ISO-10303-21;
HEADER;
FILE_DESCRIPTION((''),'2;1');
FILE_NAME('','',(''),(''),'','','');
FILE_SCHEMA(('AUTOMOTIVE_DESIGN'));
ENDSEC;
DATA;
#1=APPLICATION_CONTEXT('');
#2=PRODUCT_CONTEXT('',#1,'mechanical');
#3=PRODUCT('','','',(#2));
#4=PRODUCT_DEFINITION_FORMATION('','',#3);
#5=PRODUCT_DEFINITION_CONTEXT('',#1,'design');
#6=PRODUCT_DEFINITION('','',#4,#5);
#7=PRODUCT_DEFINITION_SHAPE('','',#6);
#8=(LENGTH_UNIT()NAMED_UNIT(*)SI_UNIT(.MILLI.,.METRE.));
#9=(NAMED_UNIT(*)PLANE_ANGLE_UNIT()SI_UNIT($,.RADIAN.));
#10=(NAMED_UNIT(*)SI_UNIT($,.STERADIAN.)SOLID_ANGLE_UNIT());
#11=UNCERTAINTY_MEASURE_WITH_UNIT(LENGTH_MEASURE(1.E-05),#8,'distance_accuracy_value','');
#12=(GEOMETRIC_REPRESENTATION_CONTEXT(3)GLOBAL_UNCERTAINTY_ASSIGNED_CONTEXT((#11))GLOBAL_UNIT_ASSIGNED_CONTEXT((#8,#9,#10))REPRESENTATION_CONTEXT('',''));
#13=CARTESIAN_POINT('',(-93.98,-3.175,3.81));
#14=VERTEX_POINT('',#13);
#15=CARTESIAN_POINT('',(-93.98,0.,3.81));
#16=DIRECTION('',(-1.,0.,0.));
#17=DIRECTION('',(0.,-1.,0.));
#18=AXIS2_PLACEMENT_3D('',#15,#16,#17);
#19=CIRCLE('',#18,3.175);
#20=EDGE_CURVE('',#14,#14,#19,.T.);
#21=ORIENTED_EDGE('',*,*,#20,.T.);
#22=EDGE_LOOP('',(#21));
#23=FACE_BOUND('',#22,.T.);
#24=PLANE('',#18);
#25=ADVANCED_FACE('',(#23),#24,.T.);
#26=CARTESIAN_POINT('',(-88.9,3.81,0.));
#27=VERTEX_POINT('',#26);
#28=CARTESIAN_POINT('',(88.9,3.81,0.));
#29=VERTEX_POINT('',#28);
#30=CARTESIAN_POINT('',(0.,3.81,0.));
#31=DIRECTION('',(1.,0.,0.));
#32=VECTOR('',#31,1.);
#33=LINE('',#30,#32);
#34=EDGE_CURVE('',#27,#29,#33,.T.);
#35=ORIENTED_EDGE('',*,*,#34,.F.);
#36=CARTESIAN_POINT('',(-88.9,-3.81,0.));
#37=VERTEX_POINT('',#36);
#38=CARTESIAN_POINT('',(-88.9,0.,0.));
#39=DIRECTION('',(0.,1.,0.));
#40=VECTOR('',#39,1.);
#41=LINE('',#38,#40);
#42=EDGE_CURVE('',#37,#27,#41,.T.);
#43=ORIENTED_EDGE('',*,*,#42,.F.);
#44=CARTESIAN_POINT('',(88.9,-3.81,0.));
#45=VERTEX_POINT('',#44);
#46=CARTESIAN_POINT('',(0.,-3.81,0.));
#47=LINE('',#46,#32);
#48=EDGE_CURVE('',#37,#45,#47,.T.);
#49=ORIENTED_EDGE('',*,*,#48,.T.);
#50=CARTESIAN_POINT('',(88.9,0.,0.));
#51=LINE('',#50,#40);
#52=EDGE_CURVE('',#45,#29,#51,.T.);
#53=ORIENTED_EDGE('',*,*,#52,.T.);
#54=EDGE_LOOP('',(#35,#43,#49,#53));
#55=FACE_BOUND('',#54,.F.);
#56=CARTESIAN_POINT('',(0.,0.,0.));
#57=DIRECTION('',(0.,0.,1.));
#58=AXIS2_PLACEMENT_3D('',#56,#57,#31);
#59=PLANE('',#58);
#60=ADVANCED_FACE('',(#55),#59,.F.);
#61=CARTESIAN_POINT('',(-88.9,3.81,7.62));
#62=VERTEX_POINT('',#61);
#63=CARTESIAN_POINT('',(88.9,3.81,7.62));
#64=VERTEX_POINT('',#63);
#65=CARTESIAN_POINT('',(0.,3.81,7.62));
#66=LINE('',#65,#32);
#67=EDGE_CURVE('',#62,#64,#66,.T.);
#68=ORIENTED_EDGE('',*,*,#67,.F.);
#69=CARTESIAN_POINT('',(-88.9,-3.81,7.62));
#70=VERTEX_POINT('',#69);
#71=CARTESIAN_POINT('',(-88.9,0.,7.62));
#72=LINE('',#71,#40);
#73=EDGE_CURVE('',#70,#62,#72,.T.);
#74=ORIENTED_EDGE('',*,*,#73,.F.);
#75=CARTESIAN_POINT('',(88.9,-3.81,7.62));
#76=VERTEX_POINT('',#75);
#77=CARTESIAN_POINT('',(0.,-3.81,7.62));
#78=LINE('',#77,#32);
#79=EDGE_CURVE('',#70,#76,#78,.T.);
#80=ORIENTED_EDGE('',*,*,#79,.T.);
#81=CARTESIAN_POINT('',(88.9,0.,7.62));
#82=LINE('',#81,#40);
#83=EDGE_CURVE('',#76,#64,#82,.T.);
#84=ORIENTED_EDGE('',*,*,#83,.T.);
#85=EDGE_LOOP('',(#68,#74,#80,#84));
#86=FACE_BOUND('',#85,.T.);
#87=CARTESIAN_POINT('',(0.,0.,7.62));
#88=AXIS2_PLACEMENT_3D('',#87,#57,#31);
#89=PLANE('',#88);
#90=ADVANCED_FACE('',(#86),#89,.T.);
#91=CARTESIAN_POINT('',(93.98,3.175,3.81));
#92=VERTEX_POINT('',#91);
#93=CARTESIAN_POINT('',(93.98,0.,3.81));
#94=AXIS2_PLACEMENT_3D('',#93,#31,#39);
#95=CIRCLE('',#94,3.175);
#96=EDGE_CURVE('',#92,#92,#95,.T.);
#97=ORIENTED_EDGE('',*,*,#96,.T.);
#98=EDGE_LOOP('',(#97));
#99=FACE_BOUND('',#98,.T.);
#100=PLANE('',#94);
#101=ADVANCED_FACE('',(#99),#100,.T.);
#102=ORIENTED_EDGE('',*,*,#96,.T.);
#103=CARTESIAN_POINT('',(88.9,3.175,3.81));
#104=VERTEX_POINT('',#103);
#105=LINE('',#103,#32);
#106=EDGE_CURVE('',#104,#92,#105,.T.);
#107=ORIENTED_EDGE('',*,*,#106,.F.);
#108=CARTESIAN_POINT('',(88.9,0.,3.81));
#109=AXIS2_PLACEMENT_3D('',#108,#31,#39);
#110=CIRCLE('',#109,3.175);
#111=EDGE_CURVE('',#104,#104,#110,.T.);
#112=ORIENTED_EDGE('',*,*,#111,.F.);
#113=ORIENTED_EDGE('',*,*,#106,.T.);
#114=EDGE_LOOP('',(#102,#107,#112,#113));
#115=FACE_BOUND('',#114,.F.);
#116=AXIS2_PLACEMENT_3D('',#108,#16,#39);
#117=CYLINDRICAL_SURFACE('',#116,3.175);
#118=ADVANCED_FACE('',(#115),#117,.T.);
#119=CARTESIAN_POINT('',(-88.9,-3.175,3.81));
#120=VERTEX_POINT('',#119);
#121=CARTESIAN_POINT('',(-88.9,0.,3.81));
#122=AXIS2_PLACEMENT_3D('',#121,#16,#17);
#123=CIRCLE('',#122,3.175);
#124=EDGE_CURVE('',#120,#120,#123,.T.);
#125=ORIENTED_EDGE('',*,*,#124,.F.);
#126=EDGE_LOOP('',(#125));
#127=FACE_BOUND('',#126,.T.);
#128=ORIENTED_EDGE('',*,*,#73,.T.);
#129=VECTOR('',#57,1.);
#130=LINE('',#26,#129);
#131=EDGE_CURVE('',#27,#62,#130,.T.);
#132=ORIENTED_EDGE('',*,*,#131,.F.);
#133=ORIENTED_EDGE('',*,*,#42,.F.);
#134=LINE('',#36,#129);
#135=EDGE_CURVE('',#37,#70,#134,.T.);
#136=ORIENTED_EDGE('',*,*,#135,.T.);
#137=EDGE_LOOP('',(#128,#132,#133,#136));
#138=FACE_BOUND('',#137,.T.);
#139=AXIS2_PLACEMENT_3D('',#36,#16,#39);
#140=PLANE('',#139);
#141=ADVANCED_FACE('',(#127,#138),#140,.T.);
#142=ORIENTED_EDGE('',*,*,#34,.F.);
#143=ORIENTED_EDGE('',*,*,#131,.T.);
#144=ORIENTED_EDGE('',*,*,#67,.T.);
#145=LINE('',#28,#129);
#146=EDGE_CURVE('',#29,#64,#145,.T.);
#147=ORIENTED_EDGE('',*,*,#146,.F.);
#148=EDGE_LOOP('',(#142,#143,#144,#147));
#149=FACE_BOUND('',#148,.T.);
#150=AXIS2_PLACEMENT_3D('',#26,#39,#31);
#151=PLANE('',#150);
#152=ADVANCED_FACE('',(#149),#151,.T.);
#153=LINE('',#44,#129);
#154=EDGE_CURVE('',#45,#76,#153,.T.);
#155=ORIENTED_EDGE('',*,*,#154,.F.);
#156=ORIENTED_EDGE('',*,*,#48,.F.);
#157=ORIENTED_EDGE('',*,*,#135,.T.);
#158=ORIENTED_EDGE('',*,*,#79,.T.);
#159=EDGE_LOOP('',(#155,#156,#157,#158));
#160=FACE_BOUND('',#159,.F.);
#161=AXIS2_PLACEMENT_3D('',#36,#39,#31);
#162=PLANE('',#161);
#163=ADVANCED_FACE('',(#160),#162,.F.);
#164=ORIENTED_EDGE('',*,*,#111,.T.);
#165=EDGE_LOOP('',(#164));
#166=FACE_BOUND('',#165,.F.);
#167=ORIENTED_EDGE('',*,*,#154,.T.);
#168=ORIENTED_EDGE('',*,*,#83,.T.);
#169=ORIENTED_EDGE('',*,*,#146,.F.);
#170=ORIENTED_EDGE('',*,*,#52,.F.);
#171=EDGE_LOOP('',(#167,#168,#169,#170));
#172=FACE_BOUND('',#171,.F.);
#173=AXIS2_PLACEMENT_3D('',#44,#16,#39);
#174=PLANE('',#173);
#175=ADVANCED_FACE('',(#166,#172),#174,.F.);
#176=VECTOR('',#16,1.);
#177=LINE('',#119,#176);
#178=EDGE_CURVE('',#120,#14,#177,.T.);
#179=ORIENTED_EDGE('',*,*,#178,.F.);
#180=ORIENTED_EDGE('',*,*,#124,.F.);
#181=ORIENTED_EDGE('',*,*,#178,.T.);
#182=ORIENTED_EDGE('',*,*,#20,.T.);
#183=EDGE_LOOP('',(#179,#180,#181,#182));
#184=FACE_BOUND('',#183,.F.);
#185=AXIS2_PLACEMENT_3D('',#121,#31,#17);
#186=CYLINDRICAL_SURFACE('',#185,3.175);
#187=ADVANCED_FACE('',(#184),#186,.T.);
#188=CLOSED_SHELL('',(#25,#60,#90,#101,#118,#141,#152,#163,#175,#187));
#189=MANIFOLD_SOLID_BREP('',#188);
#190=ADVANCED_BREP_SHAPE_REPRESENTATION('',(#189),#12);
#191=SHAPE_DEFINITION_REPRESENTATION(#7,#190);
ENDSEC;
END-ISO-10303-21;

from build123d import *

# Parameters (mm, degrees)
F0_W     = 177.8
F0_H     = 7.62
F1_DEPTH = 7.62
F2_R     = 3.175
F3_DEPTH = 5.08
F4_R     = 3.175
F5_DEPTH = 5.08


with BuildPart() as f1:
    # F0 (on Top) → F1 (new body)
    with BuildSketch(Plane.XY):
        Rectangle(F0_W, F0_H)
    extrude(amount=F1_DEPTH)

    # F2 (on face) → F3 (join)
    with BuildSketch(Plane.YZ.offset(88.9)):
        with Locations((0, 3.81)):
            Circle(F2_R)
    extrude(amount=F3_DEPTH)

    # F4 (on face) → F5 (join)
    with BuildSketch(Plane(origin=(-88.9, 0, 0), x_dir=(0, -1, 0), z_dir=(-1, 0, 0))):
        with Locations((0, 3.81)):
            Circle(F4_R)
    extrude(amount=F5_DEPTH)


solid = f1.part
